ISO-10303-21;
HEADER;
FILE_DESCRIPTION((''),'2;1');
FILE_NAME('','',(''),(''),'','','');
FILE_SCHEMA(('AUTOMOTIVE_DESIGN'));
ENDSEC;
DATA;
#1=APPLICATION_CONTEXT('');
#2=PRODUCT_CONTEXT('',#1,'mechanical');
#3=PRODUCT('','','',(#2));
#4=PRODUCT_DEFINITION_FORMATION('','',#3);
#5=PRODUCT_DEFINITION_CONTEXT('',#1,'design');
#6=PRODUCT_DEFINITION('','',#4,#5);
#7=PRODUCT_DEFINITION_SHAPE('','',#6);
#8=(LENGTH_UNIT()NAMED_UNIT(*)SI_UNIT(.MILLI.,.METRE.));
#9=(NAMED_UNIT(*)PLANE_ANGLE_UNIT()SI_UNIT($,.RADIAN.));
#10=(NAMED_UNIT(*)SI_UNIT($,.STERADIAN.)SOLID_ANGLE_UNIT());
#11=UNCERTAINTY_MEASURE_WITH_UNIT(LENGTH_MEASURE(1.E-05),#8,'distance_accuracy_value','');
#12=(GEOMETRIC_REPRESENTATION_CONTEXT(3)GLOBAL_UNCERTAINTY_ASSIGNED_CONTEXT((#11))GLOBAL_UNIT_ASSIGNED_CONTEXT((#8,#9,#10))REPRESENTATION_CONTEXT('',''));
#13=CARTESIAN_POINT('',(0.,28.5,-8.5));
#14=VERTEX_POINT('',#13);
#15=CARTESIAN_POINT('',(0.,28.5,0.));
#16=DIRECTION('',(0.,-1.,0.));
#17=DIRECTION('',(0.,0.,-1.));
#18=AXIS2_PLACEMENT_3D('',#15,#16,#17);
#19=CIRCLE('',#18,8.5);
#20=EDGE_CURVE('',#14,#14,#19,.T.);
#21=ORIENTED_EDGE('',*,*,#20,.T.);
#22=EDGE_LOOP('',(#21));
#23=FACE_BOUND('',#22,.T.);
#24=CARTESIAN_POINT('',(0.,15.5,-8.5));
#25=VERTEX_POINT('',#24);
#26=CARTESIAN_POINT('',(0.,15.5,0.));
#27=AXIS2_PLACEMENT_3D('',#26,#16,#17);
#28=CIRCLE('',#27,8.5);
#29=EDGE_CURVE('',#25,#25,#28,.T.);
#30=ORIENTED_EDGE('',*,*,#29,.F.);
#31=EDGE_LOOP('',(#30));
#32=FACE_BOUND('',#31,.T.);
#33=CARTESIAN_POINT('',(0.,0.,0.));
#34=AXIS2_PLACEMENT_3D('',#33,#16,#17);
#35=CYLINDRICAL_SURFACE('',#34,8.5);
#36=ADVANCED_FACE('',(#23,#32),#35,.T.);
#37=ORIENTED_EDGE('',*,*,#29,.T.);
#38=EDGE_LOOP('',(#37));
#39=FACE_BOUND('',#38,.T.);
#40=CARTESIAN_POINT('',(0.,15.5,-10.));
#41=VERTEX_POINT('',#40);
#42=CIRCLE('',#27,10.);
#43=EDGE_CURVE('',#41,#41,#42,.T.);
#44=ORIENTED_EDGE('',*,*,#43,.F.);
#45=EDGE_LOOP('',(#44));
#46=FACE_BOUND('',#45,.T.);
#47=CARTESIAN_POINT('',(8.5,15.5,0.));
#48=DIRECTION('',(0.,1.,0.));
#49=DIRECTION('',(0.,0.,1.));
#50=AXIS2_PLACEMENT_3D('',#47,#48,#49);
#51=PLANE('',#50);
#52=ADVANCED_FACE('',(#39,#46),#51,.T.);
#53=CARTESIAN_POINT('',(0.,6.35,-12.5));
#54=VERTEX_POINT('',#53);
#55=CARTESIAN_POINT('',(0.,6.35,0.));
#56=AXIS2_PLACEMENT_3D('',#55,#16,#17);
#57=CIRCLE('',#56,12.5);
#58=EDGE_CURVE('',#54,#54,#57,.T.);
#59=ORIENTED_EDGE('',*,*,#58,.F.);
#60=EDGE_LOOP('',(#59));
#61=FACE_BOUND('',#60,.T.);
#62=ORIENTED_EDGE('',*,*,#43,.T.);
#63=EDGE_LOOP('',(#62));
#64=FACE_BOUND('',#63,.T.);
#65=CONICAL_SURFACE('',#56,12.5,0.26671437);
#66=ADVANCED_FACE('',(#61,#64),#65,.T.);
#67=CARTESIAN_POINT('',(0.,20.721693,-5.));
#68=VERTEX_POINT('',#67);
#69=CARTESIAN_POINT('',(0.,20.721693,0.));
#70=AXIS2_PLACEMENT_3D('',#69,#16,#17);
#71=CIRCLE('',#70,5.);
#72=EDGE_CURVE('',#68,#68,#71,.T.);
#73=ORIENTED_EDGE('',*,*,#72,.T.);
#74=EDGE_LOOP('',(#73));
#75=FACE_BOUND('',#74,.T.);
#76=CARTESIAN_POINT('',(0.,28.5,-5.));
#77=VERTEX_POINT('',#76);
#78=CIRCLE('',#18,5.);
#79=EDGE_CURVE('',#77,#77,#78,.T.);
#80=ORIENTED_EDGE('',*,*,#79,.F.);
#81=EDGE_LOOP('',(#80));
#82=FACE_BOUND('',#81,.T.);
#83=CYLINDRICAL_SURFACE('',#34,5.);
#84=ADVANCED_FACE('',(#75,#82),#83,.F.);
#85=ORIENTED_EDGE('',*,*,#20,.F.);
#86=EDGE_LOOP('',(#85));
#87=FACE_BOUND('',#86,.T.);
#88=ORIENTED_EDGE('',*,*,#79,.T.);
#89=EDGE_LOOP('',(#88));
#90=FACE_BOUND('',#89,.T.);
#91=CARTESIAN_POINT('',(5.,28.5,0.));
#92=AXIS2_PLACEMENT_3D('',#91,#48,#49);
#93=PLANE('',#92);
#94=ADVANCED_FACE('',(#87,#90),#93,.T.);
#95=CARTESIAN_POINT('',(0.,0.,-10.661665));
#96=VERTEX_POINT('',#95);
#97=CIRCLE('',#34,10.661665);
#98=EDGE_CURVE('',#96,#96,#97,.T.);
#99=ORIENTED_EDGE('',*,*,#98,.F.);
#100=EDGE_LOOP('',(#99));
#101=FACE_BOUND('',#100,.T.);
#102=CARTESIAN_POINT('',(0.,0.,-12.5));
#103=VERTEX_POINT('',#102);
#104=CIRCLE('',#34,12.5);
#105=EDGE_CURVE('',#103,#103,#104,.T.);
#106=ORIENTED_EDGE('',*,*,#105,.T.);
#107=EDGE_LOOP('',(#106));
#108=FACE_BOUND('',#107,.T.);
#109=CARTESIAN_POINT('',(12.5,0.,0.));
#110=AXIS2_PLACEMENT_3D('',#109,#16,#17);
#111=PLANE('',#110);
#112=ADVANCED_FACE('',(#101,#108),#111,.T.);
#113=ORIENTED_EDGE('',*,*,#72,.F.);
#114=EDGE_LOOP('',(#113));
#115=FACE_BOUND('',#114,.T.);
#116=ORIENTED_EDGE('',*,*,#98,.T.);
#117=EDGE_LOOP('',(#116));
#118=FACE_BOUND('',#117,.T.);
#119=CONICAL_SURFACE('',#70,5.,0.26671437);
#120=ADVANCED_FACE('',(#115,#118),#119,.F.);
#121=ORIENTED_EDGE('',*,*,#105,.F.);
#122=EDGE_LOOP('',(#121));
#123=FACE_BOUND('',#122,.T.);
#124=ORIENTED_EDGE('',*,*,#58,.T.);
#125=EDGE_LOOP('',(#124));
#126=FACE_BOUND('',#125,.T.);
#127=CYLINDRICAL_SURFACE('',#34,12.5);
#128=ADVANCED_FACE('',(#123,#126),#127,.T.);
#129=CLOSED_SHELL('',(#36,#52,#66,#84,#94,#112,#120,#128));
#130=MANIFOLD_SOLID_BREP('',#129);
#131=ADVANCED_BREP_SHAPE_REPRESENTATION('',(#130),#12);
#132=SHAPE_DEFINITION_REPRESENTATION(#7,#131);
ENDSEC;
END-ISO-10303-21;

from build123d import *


with BuildPart() as part:
    # Sketch1 → Revolve1 (revolve)
    with BuildSketch(Plane.XY):
        Polygon((5, 28.5), (8.5, 28.5), (8.5, 15.5), (10, 15.5), (12.5, 6.35), (12.5, 0), (10.66166481, 0), (5, 20.721693206), align=None)
    revolve(axis=Axis((0, 0, 0), (0, 1, 0)))


solid = part.part
